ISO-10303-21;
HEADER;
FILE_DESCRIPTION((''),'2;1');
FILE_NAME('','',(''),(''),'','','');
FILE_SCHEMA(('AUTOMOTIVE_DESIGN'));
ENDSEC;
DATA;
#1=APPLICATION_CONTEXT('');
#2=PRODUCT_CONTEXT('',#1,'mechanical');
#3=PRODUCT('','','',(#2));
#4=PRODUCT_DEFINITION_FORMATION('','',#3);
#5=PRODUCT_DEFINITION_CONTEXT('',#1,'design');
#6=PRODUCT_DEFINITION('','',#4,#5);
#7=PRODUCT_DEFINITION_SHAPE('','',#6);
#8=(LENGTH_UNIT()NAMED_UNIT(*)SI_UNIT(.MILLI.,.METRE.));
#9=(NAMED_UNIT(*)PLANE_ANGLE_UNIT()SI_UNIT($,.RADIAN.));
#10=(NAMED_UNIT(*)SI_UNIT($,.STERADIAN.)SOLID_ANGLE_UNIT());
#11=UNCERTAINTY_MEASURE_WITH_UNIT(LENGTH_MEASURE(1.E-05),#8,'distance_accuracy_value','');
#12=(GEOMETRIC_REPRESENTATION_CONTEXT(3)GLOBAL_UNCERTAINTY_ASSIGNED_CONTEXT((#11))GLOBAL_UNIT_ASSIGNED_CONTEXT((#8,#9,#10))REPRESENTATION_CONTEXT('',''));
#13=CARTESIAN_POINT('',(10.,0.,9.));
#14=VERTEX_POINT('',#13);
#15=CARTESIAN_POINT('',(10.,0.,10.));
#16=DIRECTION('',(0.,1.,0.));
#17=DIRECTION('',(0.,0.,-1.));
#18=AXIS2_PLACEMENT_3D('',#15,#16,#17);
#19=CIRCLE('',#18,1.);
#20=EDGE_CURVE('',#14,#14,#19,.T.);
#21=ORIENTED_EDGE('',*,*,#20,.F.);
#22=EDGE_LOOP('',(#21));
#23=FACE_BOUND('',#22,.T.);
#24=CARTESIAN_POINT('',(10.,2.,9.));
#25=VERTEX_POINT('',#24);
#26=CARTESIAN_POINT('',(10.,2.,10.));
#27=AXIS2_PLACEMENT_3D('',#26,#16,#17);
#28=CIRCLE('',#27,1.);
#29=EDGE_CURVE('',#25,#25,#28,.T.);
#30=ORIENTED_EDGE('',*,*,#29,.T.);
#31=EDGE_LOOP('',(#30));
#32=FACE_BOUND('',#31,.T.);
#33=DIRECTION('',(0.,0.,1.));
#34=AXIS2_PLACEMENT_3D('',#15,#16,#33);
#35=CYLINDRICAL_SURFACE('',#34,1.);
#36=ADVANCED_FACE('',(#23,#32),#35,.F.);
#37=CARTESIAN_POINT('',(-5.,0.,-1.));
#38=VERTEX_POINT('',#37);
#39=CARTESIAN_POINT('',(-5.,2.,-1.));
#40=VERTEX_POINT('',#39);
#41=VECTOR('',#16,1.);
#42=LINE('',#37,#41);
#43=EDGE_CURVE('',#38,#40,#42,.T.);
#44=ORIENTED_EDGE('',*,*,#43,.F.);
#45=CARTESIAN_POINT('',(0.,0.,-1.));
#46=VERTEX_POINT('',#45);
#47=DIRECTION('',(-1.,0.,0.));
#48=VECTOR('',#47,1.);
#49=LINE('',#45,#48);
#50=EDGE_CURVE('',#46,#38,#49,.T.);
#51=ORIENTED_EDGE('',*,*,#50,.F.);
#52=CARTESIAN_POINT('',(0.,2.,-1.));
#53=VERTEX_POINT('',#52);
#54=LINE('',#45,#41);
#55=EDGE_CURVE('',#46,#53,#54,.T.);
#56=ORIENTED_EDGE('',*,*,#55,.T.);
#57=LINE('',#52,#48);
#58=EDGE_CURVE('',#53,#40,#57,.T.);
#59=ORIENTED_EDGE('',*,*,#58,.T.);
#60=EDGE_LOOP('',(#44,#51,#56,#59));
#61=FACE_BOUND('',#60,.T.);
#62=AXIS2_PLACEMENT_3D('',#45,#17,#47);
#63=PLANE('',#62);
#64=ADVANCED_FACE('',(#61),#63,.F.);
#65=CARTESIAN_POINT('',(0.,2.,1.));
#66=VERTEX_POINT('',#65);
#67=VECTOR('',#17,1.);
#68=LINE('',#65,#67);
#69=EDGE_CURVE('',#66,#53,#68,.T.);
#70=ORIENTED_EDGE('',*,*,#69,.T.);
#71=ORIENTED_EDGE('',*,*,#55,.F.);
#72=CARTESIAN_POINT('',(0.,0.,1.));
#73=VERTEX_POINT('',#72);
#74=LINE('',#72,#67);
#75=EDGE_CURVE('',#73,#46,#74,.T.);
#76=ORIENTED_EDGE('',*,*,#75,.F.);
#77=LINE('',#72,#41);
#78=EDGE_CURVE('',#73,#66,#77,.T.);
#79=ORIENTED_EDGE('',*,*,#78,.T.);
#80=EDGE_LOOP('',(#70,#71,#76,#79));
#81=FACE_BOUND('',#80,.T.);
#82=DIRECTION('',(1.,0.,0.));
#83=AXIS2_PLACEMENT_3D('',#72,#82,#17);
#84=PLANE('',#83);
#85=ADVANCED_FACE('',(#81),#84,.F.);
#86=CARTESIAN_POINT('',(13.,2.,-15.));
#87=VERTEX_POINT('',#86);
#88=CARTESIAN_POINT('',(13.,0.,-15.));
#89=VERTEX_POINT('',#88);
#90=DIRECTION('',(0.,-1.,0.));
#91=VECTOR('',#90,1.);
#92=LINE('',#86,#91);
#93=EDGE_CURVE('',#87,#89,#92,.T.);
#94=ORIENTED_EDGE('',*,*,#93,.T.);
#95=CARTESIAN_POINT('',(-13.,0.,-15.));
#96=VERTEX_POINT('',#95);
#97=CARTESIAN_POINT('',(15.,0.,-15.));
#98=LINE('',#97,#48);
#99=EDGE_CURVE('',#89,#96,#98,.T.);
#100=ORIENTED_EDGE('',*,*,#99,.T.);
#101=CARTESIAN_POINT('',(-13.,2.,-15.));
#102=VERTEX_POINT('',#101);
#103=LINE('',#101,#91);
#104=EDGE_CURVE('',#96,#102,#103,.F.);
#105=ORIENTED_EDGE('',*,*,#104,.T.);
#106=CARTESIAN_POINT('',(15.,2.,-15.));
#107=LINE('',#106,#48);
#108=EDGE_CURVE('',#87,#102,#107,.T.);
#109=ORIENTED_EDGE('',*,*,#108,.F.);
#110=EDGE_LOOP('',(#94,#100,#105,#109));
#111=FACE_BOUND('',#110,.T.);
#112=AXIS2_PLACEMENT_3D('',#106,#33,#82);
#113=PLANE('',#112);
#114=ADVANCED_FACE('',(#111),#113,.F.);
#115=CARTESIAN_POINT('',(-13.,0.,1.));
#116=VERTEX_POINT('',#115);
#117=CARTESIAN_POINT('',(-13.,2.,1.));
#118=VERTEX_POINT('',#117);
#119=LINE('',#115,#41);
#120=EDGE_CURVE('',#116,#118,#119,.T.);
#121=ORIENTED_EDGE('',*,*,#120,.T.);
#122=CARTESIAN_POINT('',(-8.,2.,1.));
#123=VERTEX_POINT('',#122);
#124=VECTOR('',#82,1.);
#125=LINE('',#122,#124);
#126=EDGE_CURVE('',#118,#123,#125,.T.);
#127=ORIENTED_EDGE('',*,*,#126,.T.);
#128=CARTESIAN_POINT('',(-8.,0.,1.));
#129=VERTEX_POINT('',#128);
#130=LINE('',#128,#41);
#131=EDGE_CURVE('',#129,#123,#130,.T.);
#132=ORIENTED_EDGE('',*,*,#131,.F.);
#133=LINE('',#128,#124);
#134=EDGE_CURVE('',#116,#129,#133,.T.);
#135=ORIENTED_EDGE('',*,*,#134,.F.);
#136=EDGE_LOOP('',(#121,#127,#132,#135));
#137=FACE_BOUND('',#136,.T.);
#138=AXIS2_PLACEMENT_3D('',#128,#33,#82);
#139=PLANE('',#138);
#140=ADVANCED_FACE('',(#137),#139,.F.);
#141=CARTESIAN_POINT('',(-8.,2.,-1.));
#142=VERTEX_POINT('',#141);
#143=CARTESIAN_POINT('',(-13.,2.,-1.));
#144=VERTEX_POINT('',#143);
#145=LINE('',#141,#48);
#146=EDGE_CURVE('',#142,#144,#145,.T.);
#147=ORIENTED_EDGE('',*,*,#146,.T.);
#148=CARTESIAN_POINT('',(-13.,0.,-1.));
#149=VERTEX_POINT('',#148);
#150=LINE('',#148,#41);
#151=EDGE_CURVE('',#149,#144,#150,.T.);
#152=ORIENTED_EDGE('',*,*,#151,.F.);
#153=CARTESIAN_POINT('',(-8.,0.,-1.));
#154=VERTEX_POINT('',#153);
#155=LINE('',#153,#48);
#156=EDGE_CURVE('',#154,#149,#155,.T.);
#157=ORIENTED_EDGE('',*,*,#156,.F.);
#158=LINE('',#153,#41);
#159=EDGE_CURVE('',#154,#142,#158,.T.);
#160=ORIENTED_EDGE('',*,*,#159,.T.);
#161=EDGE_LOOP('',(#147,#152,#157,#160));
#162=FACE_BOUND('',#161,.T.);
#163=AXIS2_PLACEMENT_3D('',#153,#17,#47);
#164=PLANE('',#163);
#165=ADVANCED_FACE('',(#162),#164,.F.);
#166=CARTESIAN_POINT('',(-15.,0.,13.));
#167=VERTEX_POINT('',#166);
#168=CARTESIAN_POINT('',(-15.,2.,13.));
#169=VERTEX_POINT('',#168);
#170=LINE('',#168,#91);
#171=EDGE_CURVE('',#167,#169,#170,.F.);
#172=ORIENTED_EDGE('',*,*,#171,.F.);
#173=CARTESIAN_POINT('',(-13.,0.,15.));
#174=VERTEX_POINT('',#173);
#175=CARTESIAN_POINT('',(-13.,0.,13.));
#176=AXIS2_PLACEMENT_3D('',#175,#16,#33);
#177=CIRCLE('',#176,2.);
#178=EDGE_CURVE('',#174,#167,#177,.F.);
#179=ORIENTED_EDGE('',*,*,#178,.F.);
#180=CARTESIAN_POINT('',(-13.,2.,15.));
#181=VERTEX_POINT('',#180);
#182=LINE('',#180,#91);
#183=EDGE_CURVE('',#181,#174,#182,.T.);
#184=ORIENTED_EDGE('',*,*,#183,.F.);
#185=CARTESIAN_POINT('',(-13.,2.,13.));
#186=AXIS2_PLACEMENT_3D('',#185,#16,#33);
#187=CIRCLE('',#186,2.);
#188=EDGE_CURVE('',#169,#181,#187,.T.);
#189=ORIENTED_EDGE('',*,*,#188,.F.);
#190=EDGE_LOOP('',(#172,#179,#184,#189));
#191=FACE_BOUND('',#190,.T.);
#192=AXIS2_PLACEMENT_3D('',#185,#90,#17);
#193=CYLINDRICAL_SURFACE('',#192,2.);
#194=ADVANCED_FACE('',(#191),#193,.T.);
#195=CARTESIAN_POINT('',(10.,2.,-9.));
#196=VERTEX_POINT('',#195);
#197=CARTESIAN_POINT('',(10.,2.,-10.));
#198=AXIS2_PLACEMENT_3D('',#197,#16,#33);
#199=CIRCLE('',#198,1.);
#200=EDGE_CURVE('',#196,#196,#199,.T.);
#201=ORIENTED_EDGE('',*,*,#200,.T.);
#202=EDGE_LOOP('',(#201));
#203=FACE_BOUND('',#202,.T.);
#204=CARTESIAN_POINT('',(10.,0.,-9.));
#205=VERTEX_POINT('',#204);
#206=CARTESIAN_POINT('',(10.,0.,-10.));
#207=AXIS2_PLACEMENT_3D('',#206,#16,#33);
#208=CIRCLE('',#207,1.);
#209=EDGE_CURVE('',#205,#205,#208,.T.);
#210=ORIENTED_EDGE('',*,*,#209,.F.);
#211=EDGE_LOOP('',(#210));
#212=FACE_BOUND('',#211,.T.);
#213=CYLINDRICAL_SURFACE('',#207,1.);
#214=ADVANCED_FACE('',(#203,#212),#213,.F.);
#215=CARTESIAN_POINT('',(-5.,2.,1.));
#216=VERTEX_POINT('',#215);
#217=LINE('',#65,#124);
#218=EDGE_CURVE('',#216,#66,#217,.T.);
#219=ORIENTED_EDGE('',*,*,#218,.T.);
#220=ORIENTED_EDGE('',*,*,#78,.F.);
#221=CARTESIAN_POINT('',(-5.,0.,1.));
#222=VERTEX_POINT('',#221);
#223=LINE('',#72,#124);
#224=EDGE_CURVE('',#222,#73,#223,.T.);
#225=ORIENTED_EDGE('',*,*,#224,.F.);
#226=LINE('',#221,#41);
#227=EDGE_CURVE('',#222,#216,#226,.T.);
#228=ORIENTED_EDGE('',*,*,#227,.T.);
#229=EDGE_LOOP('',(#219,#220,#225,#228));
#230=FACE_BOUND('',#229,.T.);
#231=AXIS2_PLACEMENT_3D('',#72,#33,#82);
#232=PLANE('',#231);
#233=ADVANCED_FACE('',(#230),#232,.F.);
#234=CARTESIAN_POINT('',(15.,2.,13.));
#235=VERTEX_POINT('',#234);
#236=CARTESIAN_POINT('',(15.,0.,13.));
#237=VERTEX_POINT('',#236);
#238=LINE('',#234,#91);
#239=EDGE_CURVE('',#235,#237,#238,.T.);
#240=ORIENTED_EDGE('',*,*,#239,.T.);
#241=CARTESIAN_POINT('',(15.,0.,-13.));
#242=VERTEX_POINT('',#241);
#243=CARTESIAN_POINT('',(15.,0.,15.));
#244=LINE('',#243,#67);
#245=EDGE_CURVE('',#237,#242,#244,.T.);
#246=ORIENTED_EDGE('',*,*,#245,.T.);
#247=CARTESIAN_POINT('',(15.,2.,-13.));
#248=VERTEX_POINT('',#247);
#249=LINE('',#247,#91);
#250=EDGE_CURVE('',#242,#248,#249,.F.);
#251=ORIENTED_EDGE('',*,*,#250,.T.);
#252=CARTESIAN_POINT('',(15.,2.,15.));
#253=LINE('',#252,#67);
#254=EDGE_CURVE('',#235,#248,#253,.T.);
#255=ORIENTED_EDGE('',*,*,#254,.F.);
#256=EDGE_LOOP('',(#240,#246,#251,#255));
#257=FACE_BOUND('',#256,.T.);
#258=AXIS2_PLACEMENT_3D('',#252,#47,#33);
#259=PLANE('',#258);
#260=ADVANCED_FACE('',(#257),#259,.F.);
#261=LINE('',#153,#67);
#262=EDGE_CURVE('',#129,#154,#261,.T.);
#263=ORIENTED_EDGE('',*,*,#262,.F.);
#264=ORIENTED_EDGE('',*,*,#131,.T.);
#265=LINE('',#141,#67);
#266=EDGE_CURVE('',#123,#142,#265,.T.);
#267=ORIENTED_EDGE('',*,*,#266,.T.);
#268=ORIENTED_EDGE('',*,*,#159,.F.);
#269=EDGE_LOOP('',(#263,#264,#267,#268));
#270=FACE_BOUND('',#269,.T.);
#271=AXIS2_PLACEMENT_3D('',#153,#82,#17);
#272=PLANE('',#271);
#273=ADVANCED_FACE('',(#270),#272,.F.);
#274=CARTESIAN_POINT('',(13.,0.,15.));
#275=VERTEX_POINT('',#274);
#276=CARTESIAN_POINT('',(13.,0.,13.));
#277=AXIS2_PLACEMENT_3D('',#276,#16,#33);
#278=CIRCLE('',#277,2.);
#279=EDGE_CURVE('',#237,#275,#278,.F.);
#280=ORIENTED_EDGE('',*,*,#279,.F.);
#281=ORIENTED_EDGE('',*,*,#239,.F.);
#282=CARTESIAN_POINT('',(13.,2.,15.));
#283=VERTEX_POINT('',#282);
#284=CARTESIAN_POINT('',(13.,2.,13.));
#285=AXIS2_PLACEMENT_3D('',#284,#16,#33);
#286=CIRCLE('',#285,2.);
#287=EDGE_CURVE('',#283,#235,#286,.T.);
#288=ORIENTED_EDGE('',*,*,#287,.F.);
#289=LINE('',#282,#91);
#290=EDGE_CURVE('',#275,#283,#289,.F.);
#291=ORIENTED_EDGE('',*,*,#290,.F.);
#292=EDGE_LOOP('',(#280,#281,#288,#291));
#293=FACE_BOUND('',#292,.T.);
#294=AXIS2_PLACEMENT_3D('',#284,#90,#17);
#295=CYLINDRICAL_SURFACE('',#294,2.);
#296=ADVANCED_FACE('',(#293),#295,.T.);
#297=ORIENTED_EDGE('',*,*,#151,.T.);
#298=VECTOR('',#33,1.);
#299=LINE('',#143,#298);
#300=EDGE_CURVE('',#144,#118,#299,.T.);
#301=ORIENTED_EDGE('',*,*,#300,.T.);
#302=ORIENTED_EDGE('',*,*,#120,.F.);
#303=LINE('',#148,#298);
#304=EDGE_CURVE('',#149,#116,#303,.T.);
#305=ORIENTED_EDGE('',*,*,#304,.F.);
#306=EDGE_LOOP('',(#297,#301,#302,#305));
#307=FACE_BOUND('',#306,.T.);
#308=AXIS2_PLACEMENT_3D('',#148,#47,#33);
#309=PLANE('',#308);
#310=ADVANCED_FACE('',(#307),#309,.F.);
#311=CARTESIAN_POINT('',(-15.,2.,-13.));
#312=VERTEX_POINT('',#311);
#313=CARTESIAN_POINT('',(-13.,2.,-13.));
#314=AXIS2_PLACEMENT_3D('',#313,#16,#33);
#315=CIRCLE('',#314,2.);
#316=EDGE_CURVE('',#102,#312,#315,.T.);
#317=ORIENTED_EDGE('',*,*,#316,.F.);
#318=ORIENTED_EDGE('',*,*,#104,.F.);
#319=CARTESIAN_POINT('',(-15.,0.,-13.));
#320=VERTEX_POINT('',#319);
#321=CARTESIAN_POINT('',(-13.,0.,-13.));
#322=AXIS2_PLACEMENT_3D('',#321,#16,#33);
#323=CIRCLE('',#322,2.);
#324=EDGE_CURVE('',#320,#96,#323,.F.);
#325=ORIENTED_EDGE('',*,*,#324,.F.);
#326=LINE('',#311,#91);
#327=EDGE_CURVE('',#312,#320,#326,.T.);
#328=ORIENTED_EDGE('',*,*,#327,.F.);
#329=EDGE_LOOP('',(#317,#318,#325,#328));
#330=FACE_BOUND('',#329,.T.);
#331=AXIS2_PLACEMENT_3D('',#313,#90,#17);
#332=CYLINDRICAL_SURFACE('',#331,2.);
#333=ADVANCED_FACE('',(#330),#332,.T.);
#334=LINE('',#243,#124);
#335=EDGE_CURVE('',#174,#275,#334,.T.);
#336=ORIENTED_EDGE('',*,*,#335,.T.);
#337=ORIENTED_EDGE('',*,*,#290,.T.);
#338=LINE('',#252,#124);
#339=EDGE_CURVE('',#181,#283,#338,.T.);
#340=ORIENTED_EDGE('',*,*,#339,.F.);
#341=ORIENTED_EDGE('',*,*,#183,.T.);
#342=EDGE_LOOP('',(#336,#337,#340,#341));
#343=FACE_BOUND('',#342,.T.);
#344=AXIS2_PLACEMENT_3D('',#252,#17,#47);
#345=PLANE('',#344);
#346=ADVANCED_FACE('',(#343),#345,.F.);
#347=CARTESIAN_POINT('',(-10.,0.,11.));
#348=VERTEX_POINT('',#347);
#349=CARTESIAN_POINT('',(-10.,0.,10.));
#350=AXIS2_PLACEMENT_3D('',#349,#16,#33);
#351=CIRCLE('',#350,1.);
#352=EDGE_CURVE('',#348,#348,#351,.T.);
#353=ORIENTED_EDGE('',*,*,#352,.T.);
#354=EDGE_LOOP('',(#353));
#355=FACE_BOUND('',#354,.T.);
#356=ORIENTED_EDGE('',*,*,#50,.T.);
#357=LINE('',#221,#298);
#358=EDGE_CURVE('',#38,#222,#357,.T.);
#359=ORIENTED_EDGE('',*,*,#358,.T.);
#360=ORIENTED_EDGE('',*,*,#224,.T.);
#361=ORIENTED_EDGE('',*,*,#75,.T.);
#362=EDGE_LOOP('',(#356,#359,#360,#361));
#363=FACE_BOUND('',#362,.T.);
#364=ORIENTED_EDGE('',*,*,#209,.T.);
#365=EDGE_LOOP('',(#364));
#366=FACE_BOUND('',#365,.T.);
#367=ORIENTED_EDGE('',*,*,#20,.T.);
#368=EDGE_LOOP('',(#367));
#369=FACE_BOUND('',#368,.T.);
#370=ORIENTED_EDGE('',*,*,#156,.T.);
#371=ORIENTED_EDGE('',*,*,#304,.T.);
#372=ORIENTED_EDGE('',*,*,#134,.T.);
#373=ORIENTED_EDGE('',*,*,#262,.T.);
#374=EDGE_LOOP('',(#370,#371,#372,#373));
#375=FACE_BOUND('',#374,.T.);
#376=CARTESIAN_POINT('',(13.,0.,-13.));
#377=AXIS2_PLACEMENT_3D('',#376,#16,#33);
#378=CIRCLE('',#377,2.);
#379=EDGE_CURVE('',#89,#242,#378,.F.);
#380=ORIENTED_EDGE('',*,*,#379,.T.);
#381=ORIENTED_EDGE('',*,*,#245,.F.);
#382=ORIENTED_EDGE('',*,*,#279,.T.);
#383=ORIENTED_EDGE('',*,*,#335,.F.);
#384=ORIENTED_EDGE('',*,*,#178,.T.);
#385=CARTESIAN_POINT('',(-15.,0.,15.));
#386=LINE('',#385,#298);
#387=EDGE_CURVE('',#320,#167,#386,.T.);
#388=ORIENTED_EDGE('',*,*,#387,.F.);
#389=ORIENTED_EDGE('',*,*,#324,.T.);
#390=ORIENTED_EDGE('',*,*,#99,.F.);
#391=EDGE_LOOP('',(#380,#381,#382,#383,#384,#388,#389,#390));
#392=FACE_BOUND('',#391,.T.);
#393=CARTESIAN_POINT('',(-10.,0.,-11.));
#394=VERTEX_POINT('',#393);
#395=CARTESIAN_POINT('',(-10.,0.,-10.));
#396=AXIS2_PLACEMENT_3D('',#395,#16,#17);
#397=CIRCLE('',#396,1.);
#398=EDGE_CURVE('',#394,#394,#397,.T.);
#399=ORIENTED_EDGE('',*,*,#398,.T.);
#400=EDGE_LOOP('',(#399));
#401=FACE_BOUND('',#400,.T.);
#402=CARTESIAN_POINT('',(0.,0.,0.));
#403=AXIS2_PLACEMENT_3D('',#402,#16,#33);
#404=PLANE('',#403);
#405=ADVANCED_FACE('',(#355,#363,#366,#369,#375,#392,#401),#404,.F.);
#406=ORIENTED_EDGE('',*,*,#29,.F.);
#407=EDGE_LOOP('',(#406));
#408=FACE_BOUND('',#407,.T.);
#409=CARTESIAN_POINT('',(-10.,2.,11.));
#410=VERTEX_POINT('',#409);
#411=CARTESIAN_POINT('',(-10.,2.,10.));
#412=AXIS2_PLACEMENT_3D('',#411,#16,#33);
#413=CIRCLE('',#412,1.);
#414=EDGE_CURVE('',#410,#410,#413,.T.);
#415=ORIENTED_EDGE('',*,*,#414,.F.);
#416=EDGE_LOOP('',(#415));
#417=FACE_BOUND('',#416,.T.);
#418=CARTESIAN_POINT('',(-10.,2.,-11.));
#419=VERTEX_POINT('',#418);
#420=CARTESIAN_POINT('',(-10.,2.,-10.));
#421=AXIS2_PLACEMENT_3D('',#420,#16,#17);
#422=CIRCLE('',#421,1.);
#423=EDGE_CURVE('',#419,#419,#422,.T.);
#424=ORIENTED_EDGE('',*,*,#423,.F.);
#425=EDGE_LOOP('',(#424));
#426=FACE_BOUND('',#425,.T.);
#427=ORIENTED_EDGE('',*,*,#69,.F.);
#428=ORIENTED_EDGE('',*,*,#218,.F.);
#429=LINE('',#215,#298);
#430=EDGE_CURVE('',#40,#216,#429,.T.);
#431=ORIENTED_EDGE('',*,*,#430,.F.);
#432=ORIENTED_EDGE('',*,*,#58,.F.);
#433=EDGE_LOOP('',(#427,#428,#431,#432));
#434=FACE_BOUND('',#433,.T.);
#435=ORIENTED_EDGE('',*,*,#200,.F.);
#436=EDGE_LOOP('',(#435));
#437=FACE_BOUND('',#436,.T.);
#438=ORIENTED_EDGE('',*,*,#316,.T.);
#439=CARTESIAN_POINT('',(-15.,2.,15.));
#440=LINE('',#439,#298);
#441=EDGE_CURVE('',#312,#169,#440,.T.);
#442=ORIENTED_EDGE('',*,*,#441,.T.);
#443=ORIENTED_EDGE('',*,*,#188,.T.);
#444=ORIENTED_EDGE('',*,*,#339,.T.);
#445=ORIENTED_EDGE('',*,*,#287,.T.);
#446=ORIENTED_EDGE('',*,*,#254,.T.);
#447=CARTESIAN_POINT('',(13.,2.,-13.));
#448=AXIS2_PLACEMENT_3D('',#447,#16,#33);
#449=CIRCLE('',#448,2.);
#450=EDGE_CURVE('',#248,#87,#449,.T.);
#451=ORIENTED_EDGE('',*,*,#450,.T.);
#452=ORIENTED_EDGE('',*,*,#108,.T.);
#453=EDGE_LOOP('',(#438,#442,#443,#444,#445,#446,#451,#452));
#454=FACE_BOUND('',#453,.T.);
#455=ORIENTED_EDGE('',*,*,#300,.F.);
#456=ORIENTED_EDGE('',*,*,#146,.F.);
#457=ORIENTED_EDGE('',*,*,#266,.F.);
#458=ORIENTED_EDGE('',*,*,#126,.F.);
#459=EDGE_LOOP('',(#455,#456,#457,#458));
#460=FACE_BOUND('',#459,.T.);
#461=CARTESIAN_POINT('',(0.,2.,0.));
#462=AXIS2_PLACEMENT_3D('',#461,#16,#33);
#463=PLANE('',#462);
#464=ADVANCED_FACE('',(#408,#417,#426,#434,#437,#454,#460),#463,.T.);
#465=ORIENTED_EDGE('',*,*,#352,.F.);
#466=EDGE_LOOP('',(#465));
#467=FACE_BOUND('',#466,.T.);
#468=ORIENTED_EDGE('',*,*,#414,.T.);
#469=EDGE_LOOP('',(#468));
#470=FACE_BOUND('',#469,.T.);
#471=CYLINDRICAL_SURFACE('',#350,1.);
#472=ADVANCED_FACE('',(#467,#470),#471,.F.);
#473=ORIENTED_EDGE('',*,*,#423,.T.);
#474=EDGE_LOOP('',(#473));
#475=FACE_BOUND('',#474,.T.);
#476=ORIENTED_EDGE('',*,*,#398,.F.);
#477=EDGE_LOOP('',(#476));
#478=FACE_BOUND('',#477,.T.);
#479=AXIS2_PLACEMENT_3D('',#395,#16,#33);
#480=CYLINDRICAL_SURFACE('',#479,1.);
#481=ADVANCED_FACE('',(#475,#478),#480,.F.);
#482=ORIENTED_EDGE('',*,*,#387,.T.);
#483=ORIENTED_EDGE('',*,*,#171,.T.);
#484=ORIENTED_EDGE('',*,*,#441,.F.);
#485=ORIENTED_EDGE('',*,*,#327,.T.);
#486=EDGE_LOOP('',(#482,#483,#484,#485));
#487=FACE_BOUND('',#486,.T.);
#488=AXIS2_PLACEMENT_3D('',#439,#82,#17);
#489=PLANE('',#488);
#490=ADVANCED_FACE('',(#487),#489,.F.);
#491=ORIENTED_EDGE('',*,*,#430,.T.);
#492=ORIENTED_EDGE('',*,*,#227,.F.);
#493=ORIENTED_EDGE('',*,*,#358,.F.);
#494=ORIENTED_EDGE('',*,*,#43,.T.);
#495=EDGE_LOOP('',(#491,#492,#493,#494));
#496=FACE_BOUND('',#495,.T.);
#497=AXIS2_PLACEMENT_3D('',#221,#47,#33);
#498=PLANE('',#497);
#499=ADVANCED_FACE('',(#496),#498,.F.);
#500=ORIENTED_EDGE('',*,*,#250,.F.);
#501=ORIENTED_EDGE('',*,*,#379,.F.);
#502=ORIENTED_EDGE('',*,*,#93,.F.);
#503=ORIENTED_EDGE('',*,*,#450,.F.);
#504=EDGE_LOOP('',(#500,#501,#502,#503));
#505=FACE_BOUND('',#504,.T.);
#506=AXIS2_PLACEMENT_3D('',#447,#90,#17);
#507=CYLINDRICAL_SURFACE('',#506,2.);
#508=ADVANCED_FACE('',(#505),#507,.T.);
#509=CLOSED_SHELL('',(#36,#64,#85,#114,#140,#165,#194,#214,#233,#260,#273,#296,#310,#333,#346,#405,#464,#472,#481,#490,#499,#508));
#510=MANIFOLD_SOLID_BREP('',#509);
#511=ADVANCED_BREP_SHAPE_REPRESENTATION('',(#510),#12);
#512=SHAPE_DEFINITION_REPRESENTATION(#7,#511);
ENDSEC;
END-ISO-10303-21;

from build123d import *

# Parameters (mm, degrees)
SKETCH1_W           = 30
SKETCH1_H           = 30
BOSS_EXTRUDE1_DEPTH = 2
SKETCH2_R           = 1
SKETCH2_W           = 5
SKETCH2_H           = 2
CUT_EXTRUDE1_DEPTH  = 2
FILLET2_R           = 2


with BuildPart() as part:
    # Sketch1 → Boss-Extrude1 (new body)
    with BuildSketch(Plane(origin=(0, 0, 0), x_dir=(1, 0, 0), z_dir=(0, 1, 0))):
        Rectangle(SKETCH1_W, SKETCH1_H)
    extrude(amount=BOSS_EXTRUDE1_DEPTH)

    # Sketch2 → Cut-Extrude1 (cut)
    with BuildSketch(Plane(origin=(0, 2, 0), x_dir=(1, 0, 0), z_dir=(0, 1, 0))):
        with Locations(Location((10, 10, 0), (0, 0, 270))):
            Circle(SKETCH2_R)
        with Locations(Location((10, -10, 0), (0, 0, 90))):
            Circle(SKETCH2_R)
        with Locations(Location((-10, -10, 0), (0, 0, 270))):
            Circle(SKETCH2_R)
        with Locations(Location((-10, 10, 0), (0, 0, 90))):
            Circle(SKETCH2_R)
        with Locations((-2.5, 0)):
            Rectangle(SKETCH2_W, SKETCH2_H)
        with Locations((-10.5, 0)):
            Rectangle(SKETCH2_W, SKETCH2_H)
    extrude(amount=-CUT_EXTRUDE1_DEPTH, mode=Mode.SUBTRACT)

    # Fillet2
    fillet2_edges = [part.edges().sort_by_distance(p)[0] for p in [
        (-15, 1, -15),
        (15, 1, -15),
        (15, 1, 15),
        (-15, 1, 15),
    ]]
    fillet(fillet2_edges, radius=FILLET2_R)


solid = part.part
